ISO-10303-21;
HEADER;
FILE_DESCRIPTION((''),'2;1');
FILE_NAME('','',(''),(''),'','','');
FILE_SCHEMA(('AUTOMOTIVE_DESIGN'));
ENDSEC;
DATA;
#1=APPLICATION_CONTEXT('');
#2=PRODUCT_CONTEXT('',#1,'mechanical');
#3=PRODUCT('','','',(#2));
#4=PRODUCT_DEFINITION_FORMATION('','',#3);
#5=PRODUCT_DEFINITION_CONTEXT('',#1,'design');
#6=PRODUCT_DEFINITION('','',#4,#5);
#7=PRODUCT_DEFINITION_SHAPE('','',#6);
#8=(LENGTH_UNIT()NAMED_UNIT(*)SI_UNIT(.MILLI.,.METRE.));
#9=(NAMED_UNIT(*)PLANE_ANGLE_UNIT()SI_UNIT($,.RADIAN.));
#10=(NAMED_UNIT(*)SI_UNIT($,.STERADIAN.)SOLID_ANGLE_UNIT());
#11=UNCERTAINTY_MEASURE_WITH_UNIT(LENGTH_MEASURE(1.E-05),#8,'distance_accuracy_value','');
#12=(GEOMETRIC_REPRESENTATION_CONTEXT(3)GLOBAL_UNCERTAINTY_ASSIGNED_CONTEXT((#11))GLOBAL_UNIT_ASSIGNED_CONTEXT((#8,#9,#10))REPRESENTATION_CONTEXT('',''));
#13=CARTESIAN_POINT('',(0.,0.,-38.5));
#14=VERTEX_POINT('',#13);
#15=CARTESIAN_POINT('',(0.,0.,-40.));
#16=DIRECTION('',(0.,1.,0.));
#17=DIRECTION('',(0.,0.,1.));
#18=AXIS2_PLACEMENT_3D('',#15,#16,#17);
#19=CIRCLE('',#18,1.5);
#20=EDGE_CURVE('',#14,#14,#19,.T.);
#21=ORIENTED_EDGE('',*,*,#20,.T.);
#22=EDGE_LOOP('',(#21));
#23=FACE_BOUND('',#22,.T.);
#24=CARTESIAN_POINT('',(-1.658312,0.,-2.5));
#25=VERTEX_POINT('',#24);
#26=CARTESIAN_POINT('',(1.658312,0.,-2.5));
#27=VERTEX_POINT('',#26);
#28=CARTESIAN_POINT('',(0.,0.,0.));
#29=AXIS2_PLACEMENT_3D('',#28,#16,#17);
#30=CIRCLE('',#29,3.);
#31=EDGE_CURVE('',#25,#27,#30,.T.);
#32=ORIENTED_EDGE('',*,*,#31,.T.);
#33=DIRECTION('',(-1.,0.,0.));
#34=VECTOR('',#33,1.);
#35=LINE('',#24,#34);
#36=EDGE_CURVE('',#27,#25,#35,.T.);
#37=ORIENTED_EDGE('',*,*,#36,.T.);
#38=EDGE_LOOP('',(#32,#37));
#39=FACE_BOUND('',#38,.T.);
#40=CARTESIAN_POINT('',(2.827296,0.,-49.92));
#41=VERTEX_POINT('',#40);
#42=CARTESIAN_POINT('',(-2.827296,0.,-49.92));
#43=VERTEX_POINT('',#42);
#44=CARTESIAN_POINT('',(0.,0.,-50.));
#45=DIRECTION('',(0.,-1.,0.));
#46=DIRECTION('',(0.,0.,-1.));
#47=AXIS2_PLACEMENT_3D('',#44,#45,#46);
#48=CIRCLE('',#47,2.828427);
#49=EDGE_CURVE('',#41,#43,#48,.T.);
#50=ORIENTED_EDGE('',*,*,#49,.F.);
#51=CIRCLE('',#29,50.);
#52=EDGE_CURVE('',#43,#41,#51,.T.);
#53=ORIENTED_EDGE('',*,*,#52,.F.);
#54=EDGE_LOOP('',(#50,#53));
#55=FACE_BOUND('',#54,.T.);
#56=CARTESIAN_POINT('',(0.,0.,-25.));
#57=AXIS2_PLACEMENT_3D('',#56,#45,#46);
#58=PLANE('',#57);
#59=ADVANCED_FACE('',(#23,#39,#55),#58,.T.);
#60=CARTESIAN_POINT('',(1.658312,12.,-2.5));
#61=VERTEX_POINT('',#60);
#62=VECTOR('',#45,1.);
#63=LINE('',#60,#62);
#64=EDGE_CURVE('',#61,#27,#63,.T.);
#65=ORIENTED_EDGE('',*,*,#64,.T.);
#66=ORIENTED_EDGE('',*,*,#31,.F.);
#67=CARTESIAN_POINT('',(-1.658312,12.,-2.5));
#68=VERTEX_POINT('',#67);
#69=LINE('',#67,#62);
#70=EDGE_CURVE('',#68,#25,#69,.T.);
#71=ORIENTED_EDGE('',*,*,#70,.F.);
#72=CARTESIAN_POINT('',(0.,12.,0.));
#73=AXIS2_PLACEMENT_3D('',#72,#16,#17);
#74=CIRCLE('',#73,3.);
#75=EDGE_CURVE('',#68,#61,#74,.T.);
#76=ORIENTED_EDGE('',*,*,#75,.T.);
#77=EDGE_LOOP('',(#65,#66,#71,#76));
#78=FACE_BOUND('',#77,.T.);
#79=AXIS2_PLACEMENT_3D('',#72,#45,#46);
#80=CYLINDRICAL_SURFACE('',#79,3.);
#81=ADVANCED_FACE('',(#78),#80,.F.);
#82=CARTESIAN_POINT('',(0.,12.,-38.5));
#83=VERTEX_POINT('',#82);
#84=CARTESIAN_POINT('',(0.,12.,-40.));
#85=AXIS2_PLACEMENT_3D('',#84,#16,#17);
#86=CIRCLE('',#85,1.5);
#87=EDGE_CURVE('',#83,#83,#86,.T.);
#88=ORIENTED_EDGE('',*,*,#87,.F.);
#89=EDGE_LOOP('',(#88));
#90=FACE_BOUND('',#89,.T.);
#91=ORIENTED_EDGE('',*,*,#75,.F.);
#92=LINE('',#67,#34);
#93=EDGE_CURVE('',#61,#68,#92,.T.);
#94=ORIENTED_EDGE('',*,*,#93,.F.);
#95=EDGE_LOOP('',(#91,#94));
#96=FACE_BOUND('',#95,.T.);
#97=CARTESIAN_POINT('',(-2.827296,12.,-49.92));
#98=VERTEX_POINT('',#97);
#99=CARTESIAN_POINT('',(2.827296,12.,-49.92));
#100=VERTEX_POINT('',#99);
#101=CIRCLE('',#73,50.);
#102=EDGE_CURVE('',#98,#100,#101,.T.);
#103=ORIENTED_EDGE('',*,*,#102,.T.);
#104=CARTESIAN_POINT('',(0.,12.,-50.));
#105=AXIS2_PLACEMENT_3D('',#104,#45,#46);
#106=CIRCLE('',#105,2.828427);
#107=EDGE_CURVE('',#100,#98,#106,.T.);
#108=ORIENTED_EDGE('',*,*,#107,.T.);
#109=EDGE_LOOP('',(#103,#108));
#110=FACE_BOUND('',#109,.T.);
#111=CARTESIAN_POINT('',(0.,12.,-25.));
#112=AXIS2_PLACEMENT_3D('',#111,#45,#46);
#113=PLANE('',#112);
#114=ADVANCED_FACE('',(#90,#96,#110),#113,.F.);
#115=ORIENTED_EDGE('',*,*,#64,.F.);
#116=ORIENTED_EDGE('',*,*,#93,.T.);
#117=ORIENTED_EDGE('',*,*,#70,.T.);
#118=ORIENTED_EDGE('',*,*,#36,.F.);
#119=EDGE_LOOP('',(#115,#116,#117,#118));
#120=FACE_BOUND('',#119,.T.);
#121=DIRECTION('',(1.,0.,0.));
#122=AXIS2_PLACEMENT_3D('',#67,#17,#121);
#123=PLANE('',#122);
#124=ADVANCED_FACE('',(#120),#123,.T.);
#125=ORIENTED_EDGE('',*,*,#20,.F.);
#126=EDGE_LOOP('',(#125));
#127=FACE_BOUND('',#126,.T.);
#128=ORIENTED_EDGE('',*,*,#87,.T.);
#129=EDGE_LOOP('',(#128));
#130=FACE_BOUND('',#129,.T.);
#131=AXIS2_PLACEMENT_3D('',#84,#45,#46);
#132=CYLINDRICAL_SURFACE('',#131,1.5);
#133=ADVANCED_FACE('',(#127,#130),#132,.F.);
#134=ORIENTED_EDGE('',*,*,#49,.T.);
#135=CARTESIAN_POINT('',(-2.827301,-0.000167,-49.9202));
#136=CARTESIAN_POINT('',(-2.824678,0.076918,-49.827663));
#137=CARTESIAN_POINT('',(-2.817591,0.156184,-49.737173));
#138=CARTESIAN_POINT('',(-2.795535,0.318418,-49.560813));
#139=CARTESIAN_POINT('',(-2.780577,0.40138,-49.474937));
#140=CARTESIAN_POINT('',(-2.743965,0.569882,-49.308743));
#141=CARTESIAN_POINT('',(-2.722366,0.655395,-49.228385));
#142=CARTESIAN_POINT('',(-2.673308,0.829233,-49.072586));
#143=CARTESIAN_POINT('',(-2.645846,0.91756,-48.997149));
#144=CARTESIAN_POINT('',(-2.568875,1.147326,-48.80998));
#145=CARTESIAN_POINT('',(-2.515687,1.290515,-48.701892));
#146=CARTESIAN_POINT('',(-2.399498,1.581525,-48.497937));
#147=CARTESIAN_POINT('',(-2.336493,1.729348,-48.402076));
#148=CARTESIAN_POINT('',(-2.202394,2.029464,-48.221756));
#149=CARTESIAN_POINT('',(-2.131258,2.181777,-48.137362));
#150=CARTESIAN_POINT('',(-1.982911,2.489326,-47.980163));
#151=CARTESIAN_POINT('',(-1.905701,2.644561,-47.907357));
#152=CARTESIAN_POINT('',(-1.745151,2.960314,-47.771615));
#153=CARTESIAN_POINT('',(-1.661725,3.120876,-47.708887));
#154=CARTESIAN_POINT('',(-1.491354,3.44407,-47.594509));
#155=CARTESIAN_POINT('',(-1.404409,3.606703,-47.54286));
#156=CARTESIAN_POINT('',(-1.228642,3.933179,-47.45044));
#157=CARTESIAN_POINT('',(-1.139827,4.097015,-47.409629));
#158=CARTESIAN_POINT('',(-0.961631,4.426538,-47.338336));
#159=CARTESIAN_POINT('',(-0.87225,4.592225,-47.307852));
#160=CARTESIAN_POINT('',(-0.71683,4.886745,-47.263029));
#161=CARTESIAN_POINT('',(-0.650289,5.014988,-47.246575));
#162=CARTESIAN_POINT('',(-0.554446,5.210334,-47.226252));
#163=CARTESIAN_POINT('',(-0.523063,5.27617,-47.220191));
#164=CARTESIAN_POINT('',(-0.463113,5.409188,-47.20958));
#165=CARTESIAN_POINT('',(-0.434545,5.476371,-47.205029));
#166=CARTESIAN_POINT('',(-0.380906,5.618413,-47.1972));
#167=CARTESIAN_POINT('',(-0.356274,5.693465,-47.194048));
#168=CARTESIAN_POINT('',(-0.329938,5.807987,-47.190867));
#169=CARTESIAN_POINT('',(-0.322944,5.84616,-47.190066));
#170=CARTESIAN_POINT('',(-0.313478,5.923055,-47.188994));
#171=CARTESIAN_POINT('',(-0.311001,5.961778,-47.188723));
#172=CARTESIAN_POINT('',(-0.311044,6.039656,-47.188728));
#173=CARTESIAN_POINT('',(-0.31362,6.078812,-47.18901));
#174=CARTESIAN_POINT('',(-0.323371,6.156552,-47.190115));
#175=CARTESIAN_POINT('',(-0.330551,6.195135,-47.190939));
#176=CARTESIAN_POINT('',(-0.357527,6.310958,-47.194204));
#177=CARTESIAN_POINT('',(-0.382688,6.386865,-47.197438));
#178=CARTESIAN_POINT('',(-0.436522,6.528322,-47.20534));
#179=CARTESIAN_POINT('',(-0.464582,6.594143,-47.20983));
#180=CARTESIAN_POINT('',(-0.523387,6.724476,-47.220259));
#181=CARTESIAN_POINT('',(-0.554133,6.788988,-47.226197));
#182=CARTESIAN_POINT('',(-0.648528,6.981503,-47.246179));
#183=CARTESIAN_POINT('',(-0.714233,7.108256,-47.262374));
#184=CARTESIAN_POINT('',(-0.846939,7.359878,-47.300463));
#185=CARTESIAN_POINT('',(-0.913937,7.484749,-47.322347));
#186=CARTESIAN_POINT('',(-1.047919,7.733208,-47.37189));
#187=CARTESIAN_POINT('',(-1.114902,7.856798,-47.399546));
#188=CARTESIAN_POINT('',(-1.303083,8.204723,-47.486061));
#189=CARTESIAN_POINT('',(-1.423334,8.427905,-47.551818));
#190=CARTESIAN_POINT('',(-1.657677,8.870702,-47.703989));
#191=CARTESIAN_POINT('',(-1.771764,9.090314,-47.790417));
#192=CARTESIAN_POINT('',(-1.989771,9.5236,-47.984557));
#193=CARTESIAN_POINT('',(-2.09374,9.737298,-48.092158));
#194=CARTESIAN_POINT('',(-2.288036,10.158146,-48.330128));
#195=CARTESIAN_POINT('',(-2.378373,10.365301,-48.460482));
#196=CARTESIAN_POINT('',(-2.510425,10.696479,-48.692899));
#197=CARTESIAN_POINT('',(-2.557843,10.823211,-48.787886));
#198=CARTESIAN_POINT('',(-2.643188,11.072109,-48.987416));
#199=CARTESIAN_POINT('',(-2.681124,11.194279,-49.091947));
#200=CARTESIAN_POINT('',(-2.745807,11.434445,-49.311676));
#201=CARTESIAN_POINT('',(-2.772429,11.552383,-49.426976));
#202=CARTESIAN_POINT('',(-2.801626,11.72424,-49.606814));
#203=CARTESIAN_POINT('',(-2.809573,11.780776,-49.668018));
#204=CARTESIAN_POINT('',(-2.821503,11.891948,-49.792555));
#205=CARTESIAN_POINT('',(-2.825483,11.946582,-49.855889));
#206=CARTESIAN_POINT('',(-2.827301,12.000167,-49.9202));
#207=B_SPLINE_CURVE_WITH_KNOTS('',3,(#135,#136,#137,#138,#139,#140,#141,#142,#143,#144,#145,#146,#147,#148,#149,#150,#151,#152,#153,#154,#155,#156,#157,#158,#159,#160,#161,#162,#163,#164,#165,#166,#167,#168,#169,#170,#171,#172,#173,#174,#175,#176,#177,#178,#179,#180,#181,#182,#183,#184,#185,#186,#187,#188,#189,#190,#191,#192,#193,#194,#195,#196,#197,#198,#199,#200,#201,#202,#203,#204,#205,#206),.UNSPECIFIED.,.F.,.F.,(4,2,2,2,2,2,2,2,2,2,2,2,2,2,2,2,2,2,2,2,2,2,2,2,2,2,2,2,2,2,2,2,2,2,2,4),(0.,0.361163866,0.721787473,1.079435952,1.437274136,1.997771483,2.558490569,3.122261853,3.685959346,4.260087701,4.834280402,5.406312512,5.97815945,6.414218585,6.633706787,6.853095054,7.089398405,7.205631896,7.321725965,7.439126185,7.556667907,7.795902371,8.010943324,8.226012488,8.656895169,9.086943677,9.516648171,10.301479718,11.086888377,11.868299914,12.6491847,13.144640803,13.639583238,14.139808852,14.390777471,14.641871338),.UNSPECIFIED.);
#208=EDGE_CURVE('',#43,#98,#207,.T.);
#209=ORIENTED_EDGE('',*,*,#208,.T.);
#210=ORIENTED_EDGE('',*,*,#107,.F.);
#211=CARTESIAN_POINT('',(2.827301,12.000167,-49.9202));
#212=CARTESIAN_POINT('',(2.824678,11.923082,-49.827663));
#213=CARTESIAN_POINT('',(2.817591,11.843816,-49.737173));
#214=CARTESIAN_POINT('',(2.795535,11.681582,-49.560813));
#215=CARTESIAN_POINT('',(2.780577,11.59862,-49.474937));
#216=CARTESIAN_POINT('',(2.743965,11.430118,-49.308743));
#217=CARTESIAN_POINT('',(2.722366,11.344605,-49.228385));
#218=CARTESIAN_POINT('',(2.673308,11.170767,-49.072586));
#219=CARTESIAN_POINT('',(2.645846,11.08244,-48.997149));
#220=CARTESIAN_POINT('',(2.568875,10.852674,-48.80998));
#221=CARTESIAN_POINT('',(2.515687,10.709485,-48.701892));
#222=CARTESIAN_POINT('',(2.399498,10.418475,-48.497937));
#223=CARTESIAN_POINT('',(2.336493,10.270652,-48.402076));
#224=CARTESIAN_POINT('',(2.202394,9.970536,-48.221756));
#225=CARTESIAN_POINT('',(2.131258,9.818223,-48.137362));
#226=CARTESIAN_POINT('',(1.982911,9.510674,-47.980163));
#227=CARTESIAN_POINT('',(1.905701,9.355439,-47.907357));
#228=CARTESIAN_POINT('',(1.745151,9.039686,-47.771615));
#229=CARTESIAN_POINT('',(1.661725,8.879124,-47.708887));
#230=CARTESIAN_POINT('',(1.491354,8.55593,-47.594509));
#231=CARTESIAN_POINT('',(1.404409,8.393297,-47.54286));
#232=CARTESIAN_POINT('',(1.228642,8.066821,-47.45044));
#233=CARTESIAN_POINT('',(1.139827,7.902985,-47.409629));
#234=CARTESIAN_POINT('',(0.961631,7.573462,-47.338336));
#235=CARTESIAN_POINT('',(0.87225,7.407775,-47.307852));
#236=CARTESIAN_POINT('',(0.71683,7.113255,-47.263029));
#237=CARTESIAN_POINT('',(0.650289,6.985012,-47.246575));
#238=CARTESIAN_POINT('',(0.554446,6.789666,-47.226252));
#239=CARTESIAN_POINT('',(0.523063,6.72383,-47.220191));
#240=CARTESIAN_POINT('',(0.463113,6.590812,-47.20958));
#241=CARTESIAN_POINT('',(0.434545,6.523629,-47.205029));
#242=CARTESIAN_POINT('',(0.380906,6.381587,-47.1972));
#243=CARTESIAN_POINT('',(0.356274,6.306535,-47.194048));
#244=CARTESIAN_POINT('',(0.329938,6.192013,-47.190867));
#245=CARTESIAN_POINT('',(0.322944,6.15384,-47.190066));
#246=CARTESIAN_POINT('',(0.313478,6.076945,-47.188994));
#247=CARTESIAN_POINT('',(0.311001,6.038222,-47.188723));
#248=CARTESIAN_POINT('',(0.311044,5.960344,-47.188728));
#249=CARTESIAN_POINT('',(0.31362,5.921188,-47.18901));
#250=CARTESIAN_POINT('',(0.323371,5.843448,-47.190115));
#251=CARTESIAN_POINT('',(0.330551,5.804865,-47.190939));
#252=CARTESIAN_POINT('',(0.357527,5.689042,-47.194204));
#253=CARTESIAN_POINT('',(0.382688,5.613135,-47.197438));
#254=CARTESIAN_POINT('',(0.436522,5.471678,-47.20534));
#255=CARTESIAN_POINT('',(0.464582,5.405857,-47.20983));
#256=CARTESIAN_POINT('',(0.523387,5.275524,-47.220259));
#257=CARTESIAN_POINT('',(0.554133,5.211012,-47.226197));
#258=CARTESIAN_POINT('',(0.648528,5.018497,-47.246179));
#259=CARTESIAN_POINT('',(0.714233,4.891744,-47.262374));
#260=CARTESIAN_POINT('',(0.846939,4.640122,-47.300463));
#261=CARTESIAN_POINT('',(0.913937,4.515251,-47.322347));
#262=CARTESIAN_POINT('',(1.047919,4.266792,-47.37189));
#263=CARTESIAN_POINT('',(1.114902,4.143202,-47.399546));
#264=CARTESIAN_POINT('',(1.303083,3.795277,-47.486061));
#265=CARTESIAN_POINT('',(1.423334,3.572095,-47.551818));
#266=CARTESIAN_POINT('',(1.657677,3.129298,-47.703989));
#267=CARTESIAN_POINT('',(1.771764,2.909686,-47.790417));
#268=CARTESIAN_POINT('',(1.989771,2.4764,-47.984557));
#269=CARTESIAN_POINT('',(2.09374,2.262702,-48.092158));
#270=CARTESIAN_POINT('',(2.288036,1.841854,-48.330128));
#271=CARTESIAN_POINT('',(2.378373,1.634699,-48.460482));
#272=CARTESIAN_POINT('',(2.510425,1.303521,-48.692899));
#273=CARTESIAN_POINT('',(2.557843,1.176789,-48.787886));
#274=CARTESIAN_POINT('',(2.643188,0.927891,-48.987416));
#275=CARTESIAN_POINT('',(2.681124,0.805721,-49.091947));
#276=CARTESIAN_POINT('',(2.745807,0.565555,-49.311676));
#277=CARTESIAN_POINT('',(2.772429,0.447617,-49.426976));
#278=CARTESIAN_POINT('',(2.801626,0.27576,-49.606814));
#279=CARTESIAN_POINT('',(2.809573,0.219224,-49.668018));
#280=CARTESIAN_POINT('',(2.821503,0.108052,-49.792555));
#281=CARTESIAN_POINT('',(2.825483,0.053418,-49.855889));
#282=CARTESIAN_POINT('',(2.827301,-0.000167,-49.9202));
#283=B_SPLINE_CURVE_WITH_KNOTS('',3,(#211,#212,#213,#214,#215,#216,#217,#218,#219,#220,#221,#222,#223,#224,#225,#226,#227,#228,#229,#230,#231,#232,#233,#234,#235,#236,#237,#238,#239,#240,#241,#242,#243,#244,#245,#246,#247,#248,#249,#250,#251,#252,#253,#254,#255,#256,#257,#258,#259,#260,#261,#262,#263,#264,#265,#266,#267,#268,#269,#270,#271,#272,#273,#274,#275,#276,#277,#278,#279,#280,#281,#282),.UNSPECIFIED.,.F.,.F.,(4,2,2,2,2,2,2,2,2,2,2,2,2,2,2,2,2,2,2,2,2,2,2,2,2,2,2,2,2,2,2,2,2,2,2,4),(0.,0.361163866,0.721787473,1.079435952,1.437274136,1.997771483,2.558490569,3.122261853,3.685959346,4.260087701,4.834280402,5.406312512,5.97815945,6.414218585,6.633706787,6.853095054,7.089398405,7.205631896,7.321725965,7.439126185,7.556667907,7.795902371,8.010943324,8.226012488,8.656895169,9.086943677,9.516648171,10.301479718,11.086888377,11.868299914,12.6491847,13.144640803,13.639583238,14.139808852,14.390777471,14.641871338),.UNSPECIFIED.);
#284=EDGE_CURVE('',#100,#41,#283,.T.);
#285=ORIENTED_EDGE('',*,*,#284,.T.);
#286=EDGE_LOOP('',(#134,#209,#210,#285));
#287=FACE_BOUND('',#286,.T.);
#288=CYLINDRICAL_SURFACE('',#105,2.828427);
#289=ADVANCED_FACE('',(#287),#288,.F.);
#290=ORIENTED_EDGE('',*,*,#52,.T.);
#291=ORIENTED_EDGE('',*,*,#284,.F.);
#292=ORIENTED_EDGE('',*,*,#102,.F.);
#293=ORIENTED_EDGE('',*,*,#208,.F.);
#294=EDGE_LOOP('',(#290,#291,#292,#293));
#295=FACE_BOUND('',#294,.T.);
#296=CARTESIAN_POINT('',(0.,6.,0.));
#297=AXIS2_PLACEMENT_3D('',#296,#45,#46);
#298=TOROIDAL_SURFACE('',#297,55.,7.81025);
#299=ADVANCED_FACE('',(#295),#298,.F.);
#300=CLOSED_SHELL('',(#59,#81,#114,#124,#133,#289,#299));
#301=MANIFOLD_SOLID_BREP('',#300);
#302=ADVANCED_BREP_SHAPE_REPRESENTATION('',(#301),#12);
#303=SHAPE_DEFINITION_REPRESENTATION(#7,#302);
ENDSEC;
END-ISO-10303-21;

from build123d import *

# Parameters (mm, degrees)
SKETCH2_R           = 1.5
BOSS_EXTRUDE3_DEPTH = 12
SKETCH4_R           = 7.810249676


with BuildPart() as part:
    # Sketch2 → Boss-Extrude3 (new body)
    with BuildSketch(Plane(origin=(0, 0, 0), x_dir=(1, 0, 0), z_dir=(0, 1, 0))):
        with BuildLine():
            ThreePointArc((2.827295528, 49.92), (0, 47.171572875), (-2.827295528, 49.92))
            ThreePointArc((-2.827295528, 49.92), (0, -50), (2.827295528, 49.92))
        make_face()
        with BuildLine():
            ThreePointArc((1.658312395, 2.5), (0, -3), (-1.658312395, 2.5))
            Line((-1.658312395, 2.5), (1.658312395, 2.5))
        make_face(mode=Mode.SUBTRACT)
        with Locations((0, 40)):
            Circle(SKETCH2_R, mode=Mode.SUBTRACT)
    extrude(amount=BOSS_EXTRUDE3_DEPTH)

    # Sketch4 → Cut-Revolve1 (revolve, cut)
    with BuildSketch(Plane.XY):
        with Locations((55, 6)):
            Circle(SKETCH4_R)
    revolve(axis=Axis((0, 0, 0), (0, 1, 0)), mode=Mode.SUBTRACT)


solid = part.part
